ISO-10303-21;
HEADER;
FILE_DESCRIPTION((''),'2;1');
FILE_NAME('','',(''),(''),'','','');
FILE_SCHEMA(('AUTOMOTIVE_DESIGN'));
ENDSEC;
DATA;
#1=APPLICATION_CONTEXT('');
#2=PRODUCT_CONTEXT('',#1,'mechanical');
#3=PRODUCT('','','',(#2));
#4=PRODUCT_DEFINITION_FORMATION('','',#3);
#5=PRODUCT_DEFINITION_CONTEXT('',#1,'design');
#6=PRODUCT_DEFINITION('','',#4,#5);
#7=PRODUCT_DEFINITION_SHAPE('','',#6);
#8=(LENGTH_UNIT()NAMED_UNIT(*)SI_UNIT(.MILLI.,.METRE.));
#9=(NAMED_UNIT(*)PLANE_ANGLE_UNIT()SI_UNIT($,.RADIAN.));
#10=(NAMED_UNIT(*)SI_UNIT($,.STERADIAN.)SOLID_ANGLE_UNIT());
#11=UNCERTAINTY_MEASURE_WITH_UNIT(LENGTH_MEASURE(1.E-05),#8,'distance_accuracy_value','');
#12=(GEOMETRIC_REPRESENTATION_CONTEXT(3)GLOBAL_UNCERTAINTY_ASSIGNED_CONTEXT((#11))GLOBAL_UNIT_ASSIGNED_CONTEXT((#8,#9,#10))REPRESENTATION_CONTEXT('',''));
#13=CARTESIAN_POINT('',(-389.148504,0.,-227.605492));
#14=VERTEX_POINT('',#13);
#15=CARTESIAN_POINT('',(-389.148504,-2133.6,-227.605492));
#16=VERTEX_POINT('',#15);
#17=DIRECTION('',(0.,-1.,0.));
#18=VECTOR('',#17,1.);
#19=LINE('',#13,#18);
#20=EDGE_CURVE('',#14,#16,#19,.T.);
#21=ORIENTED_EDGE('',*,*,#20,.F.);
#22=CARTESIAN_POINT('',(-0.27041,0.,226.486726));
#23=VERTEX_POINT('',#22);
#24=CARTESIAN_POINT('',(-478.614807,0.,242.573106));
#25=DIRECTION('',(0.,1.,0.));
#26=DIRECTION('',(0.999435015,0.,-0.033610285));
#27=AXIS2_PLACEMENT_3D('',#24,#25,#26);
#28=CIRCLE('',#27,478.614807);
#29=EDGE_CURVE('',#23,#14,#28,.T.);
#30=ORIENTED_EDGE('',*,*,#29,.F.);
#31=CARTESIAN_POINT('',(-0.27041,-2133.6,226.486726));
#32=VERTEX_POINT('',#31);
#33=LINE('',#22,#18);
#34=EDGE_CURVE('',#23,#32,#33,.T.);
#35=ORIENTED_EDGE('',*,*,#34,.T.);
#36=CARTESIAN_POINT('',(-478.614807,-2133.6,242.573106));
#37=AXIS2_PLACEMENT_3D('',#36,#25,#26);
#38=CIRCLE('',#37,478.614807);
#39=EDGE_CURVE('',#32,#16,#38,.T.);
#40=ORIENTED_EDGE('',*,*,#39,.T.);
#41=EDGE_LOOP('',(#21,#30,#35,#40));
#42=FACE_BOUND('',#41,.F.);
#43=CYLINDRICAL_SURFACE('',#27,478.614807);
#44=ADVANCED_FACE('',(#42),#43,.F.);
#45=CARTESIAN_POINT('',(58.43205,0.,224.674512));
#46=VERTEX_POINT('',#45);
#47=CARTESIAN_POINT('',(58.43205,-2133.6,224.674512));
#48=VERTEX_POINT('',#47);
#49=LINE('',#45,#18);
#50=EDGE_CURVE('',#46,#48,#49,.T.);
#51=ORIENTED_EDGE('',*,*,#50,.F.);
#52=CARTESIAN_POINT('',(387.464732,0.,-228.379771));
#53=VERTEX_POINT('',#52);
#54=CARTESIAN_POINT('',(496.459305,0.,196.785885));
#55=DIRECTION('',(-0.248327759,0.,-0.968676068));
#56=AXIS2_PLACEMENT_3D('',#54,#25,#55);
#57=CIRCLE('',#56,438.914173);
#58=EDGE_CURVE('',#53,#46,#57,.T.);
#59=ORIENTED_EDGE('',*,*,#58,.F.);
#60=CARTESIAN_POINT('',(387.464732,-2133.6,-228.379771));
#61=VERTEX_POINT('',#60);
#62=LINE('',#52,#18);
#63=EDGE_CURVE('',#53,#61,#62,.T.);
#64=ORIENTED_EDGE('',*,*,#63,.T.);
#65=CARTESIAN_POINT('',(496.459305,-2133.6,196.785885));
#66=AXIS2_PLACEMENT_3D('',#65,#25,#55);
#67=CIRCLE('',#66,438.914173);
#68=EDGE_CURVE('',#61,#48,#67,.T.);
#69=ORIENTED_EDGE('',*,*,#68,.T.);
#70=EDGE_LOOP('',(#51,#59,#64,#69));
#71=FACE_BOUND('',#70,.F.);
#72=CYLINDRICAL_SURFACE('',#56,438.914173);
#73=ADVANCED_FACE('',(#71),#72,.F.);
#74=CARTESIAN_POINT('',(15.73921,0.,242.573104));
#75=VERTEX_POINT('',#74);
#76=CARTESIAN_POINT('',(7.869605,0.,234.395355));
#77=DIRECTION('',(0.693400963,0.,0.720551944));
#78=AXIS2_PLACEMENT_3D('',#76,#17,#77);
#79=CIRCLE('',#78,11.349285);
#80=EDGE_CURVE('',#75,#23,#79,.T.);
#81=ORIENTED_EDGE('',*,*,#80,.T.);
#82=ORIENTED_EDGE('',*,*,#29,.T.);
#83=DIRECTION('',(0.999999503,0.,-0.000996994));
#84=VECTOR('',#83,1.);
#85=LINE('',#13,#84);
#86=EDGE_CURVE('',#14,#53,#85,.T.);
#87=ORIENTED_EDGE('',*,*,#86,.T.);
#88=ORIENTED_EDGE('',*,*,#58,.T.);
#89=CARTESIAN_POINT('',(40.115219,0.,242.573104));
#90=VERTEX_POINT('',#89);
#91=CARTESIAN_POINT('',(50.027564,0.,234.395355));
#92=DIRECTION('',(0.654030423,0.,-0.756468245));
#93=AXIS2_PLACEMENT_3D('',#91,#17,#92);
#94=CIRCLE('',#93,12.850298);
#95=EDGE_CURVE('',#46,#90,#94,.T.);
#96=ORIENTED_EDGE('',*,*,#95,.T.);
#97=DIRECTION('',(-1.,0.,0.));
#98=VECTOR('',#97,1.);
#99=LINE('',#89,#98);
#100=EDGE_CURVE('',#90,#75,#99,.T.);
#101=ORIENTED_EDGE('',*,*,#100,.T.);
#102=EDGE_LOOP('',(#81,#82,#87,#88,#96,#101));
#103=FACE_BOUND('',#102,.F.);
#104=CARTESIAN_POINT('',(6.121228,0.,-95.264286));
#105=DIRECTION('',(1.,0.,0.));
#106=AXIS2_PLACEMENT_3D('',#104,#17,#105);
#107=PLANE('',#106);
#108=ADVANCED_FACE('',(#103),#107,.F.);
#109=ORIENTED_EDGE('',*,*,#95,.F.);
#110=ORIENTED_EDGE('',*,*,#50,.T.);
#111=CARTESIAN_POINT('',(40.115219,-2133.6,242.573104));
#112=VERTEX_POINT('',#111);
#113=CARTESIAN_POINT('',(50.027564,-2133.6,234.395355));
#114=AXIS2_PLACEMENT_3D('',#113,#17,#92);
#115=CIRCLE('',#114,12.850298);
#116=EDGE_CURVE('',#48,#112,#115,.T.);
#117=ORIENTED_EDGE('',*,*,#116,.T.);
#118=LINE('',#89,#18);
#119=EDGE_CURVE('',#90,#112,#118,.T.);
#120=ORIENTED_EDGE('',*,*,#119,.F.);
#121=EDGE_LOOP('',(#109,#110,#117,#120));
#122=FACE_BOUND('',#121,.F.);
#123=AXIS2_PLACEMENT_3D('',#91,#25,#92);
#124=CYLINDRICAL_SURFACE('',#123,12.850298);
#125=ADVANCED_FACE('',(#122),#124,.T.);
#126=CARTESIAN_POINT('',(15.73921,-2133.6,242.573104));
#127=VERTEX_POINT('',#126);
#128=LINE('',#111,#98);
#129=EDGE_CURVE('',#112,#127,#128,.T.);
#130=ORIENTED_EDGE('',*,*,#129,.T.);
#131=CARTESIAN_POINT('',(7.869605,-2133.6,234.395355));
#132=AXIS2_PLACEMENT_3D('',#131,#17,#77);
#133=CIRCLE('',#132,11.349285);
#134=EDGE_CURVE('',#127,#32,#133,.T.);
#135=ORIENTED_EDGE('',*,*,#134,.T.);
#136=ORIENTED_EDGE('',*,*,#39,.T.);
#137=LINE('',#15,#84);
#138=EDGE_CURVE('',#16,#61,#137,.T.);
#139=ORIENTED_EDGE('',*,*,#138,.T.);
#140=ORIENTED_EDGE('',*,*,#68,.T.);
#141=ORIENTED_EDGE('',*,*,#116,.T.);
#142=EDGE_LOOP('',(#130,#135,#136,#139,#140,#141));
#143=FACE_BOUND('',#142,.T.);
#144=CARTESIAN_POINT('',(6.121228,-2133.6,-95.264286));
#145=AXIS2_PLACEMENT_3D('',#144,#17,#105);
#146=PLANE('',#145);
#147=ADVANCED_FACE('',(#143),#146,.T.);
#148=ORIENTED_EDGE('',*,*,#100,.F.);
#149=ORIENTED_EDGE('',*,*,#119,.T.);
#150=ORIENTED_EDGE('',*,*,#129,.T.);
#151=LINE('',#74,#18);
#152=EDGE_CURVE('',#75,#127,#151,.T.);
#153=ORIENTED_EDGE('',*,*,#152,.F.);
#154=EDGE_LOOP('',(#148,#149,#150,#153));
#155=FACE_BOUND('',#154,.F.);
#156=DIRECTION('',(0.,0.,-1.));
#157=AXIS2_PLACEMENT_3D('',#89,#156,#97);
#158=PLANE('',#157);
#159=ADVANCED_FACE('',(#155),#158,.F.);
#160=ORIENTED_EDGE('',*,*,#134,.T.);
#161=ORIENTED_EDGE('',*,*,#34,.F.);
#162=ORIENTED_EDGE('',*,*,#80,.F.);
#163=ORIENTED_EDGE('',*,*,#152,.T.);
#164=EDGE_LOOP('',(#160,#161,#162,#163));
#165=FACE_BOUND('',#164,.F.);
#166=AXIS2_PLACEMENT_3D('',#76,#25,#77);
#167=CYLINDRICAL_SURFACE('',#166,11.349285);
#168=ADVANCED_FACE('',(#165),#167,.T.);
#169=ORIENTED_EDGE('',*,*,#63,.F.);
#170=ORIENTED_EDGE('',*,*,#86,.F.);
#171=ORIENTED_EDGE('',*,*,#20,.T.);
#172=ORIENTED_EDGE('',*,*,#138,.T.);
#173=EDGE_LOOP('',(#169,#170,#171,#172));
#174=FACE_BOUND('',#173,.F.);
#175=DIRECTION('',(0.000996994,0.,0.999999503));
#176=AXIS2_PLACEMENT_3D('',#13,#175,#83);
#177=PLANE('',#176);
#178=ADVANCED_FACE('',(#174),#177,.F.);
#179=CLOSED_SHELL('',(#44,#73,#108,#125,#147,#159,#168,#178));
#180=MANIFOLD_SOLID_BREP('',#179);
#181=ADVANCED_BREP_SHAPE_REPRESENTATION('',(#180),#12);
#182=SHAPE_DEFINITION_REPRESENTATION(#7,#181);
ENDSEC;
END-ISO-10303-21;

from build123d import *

# Parameters (mm, degrees)
F1_DEPTH = 2133.6


with BuildPart() as f1:
    # F0 (on Front) → F1 (new body)
    with BuildSketch(Plane.XZ):
        with BuildLine():
            ThreePointArc((-0.27041, 226.486726), (-115.087389, -68.746585), (-389.148504, -227.605492))
            Line((-389.148504, -227.605492), (387.464732, -228.379771))
            ThreePointArc((387.464732, -228.379771), (141.321633, -61.134424), (58.43205, 224.674512))
            ThreePointArc((58.43205, 224.674512), (59.008561, 243.586212), (40.115219, 242.573104))
            Line((40.115219, 242.573104), (15.73921, 242.573104))
            ThreePointArc((15.73921, 242.573104), (-0.17472, 242.401296), (-0.27041, 226.486726))
        make_face()
    extrude(amount=F1_DEPTH)


solid = f1.part
